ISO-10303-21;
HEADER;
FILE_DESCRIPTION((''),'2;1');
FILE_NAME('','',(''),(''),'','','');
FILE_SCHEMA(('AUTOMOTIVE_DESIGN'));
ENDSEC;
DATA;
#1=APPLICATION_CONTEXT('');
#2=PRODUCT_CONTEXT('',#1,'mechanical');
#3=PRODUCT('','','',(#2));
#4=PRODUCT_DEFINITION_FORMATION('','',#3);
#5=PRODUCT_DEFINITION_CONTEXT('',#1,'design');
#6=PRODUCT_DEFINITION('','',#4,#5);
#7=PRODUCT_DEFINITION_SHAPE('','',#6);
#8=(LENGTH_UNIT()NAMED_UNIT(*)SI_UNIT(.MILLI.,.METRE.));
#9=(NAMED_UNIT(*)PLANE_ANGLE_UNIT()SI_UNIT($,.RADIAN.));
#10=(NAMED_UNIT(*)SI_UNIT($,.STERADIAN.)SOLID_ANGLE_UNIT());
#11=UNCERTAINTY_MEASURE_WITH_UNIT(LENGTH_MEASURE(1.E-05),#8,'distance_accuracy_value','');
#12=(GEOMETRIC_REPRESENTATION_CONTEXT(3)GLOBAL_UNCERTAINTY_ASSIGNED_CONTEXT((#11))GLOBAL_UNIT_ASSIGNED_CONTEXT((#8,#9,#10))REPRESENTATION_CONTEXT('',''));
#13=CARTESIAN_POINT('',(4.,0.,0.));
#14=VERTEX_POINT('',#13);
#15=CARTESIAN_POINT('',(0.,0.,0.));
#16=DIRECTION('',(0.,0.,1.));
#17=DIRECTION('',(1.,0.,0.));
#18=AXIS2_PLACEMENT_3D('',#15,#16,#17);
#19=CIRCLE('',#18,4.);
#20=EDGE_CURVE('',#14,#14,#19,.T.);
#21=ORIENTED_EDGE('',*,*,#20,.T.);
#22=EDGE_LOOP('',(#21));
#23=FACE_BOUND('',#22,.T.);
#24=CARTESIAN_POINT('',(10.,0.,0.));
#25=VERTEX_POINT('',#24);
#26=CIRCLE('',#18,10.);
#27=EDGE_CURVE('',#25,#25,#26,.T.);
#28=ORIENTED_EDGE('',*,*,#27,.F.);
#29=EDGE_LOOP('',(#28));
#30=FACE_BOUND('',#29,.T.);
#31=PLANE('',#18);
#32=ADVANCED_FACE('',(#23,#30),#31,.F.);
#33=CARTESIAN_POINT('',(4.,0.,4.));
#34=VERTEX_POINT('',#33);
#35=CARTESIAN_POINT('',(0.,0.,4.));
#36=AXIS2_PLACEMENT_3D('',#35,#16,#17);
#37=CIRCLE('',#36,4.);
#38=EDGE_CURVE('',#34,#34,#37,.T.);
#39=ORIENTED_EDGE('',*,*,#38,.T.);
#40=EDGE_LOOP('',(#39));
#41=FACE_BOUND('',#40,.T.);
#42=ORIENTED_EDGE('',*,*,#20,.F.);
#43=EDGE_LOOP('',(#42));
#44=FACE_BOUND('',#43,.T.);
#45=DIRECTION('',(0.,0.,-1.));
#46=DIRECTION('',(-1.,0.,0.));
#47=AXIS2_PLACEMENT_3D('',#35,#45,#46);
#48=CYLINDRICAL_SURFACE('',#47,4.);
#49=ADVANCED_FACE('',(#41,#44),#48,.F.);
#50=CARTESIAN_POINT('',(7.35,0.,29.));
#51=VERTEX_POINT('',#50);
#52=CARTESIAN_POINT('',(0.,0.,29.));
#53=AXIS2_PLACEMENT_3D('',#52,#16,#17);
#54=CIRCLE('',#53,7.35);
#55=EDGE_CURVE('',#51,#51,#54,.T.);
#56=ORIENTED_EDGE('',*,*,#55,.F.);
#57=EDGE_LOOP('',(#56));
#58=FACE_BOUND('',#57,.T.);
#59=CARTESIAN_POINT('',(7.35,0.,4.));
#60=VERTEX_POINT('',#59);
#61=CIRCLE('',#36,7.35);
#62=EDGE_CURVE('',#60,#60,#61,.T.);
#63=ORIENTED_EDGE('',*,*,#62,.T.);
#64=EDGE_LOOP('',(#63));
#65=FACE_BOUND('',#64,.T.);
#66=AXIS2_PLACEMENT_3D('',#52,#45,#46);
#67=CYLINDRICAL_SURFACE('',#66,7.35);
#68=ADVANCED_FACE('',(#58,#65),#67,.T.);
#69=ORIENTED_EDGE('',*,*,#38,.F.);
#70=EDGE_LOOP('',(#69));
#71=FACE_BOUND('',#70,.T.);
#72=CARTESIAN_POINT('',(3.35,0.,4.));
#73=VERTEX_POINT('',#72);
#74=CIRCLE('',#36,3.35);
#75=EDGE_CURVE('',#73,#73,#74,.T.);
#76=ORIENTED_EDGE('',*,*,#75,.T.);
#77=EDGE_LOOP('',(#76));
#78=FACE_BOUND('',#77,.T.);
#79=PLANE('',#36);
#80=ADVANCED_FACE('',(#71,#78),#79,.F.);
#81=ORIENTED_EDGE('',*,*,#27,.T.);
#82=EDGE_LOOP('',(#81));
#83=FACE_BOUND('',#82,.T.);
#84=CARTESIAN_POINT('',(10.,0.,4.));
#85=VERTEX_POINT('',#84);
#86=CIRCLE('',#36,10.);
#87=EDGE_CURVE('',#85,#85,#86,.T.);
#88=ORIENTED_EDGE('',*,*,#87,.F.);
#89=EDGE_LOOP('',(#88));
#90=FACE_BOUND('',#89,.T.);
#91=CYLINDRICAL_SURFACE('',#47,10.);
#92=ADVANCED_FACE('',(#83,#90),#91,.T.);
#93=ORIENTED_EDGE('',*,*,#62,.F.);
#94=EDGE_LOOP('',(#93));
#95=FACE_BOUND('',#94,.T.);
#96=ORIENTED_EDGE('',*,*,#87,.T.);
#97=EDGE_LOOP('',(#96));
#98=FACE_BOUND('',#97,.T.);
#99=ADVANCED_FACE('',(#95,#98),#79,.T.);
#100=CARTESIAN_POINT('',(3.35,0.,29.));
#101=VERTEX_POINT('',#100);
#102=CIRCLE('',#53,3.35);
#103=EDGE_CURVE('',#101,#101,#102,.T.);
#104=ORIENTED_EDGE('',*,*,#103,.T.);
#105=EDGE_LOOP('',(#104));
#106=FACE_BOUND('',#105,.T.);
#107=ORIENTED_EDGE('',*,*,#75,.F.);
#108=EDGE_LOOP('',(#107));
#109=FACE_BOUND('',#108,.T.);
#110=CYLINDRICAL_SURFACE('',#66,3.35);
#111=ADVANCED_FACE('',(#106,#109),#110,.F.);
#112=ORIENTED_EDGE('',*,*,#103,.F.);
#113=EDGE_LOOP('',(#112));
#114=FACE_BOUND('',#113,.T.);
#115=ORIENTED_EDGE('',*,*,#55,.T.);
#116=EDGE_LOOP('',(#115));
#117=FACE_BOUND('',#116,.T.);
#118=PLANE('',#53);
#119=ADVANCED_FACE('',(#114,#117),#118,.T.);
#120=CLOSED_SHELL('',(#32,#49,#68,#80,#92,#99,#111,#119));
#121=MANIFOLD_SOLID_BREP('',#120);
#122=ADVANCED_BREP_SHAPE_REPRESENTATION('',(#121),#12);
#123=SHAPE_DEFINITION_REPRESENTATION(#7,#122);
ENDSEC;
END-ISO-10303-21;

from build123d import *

# Parameters (mm, degrees)
SKETCH_1_R      = 10
SKETCH_1_R_2    = 4
EXTRUDE_1_DEPTH = 4
SKETCH_2_R      = 7.35
SKETCH_2_R_2    = 3.35
EXTRUDE_2_DEPTH = 25


with BuildPart() as part:
    # 草图1 → 拉伸-薄壁1 (new body)
    with BuildSketch(Plane.XY):
        Circle(SKETCH_1_R)
        Circle(SKETCH_1_R_2, mode=Mode.SUBTRACT)
    extrude(amount=EXTRUDE_1_DEPTH)

    # 草图2 → 拉伸-薄壁2 (add)
    with BuildSketch(Plane.XY.offset(4)):
        Circle(SKETCH_2_R)
        Circle(SKETCH_2_R_2, mode=Mode.SUBTRACT)
    extrude(amount=EXTRUDE_2_DEPTH)


solid = part.part
